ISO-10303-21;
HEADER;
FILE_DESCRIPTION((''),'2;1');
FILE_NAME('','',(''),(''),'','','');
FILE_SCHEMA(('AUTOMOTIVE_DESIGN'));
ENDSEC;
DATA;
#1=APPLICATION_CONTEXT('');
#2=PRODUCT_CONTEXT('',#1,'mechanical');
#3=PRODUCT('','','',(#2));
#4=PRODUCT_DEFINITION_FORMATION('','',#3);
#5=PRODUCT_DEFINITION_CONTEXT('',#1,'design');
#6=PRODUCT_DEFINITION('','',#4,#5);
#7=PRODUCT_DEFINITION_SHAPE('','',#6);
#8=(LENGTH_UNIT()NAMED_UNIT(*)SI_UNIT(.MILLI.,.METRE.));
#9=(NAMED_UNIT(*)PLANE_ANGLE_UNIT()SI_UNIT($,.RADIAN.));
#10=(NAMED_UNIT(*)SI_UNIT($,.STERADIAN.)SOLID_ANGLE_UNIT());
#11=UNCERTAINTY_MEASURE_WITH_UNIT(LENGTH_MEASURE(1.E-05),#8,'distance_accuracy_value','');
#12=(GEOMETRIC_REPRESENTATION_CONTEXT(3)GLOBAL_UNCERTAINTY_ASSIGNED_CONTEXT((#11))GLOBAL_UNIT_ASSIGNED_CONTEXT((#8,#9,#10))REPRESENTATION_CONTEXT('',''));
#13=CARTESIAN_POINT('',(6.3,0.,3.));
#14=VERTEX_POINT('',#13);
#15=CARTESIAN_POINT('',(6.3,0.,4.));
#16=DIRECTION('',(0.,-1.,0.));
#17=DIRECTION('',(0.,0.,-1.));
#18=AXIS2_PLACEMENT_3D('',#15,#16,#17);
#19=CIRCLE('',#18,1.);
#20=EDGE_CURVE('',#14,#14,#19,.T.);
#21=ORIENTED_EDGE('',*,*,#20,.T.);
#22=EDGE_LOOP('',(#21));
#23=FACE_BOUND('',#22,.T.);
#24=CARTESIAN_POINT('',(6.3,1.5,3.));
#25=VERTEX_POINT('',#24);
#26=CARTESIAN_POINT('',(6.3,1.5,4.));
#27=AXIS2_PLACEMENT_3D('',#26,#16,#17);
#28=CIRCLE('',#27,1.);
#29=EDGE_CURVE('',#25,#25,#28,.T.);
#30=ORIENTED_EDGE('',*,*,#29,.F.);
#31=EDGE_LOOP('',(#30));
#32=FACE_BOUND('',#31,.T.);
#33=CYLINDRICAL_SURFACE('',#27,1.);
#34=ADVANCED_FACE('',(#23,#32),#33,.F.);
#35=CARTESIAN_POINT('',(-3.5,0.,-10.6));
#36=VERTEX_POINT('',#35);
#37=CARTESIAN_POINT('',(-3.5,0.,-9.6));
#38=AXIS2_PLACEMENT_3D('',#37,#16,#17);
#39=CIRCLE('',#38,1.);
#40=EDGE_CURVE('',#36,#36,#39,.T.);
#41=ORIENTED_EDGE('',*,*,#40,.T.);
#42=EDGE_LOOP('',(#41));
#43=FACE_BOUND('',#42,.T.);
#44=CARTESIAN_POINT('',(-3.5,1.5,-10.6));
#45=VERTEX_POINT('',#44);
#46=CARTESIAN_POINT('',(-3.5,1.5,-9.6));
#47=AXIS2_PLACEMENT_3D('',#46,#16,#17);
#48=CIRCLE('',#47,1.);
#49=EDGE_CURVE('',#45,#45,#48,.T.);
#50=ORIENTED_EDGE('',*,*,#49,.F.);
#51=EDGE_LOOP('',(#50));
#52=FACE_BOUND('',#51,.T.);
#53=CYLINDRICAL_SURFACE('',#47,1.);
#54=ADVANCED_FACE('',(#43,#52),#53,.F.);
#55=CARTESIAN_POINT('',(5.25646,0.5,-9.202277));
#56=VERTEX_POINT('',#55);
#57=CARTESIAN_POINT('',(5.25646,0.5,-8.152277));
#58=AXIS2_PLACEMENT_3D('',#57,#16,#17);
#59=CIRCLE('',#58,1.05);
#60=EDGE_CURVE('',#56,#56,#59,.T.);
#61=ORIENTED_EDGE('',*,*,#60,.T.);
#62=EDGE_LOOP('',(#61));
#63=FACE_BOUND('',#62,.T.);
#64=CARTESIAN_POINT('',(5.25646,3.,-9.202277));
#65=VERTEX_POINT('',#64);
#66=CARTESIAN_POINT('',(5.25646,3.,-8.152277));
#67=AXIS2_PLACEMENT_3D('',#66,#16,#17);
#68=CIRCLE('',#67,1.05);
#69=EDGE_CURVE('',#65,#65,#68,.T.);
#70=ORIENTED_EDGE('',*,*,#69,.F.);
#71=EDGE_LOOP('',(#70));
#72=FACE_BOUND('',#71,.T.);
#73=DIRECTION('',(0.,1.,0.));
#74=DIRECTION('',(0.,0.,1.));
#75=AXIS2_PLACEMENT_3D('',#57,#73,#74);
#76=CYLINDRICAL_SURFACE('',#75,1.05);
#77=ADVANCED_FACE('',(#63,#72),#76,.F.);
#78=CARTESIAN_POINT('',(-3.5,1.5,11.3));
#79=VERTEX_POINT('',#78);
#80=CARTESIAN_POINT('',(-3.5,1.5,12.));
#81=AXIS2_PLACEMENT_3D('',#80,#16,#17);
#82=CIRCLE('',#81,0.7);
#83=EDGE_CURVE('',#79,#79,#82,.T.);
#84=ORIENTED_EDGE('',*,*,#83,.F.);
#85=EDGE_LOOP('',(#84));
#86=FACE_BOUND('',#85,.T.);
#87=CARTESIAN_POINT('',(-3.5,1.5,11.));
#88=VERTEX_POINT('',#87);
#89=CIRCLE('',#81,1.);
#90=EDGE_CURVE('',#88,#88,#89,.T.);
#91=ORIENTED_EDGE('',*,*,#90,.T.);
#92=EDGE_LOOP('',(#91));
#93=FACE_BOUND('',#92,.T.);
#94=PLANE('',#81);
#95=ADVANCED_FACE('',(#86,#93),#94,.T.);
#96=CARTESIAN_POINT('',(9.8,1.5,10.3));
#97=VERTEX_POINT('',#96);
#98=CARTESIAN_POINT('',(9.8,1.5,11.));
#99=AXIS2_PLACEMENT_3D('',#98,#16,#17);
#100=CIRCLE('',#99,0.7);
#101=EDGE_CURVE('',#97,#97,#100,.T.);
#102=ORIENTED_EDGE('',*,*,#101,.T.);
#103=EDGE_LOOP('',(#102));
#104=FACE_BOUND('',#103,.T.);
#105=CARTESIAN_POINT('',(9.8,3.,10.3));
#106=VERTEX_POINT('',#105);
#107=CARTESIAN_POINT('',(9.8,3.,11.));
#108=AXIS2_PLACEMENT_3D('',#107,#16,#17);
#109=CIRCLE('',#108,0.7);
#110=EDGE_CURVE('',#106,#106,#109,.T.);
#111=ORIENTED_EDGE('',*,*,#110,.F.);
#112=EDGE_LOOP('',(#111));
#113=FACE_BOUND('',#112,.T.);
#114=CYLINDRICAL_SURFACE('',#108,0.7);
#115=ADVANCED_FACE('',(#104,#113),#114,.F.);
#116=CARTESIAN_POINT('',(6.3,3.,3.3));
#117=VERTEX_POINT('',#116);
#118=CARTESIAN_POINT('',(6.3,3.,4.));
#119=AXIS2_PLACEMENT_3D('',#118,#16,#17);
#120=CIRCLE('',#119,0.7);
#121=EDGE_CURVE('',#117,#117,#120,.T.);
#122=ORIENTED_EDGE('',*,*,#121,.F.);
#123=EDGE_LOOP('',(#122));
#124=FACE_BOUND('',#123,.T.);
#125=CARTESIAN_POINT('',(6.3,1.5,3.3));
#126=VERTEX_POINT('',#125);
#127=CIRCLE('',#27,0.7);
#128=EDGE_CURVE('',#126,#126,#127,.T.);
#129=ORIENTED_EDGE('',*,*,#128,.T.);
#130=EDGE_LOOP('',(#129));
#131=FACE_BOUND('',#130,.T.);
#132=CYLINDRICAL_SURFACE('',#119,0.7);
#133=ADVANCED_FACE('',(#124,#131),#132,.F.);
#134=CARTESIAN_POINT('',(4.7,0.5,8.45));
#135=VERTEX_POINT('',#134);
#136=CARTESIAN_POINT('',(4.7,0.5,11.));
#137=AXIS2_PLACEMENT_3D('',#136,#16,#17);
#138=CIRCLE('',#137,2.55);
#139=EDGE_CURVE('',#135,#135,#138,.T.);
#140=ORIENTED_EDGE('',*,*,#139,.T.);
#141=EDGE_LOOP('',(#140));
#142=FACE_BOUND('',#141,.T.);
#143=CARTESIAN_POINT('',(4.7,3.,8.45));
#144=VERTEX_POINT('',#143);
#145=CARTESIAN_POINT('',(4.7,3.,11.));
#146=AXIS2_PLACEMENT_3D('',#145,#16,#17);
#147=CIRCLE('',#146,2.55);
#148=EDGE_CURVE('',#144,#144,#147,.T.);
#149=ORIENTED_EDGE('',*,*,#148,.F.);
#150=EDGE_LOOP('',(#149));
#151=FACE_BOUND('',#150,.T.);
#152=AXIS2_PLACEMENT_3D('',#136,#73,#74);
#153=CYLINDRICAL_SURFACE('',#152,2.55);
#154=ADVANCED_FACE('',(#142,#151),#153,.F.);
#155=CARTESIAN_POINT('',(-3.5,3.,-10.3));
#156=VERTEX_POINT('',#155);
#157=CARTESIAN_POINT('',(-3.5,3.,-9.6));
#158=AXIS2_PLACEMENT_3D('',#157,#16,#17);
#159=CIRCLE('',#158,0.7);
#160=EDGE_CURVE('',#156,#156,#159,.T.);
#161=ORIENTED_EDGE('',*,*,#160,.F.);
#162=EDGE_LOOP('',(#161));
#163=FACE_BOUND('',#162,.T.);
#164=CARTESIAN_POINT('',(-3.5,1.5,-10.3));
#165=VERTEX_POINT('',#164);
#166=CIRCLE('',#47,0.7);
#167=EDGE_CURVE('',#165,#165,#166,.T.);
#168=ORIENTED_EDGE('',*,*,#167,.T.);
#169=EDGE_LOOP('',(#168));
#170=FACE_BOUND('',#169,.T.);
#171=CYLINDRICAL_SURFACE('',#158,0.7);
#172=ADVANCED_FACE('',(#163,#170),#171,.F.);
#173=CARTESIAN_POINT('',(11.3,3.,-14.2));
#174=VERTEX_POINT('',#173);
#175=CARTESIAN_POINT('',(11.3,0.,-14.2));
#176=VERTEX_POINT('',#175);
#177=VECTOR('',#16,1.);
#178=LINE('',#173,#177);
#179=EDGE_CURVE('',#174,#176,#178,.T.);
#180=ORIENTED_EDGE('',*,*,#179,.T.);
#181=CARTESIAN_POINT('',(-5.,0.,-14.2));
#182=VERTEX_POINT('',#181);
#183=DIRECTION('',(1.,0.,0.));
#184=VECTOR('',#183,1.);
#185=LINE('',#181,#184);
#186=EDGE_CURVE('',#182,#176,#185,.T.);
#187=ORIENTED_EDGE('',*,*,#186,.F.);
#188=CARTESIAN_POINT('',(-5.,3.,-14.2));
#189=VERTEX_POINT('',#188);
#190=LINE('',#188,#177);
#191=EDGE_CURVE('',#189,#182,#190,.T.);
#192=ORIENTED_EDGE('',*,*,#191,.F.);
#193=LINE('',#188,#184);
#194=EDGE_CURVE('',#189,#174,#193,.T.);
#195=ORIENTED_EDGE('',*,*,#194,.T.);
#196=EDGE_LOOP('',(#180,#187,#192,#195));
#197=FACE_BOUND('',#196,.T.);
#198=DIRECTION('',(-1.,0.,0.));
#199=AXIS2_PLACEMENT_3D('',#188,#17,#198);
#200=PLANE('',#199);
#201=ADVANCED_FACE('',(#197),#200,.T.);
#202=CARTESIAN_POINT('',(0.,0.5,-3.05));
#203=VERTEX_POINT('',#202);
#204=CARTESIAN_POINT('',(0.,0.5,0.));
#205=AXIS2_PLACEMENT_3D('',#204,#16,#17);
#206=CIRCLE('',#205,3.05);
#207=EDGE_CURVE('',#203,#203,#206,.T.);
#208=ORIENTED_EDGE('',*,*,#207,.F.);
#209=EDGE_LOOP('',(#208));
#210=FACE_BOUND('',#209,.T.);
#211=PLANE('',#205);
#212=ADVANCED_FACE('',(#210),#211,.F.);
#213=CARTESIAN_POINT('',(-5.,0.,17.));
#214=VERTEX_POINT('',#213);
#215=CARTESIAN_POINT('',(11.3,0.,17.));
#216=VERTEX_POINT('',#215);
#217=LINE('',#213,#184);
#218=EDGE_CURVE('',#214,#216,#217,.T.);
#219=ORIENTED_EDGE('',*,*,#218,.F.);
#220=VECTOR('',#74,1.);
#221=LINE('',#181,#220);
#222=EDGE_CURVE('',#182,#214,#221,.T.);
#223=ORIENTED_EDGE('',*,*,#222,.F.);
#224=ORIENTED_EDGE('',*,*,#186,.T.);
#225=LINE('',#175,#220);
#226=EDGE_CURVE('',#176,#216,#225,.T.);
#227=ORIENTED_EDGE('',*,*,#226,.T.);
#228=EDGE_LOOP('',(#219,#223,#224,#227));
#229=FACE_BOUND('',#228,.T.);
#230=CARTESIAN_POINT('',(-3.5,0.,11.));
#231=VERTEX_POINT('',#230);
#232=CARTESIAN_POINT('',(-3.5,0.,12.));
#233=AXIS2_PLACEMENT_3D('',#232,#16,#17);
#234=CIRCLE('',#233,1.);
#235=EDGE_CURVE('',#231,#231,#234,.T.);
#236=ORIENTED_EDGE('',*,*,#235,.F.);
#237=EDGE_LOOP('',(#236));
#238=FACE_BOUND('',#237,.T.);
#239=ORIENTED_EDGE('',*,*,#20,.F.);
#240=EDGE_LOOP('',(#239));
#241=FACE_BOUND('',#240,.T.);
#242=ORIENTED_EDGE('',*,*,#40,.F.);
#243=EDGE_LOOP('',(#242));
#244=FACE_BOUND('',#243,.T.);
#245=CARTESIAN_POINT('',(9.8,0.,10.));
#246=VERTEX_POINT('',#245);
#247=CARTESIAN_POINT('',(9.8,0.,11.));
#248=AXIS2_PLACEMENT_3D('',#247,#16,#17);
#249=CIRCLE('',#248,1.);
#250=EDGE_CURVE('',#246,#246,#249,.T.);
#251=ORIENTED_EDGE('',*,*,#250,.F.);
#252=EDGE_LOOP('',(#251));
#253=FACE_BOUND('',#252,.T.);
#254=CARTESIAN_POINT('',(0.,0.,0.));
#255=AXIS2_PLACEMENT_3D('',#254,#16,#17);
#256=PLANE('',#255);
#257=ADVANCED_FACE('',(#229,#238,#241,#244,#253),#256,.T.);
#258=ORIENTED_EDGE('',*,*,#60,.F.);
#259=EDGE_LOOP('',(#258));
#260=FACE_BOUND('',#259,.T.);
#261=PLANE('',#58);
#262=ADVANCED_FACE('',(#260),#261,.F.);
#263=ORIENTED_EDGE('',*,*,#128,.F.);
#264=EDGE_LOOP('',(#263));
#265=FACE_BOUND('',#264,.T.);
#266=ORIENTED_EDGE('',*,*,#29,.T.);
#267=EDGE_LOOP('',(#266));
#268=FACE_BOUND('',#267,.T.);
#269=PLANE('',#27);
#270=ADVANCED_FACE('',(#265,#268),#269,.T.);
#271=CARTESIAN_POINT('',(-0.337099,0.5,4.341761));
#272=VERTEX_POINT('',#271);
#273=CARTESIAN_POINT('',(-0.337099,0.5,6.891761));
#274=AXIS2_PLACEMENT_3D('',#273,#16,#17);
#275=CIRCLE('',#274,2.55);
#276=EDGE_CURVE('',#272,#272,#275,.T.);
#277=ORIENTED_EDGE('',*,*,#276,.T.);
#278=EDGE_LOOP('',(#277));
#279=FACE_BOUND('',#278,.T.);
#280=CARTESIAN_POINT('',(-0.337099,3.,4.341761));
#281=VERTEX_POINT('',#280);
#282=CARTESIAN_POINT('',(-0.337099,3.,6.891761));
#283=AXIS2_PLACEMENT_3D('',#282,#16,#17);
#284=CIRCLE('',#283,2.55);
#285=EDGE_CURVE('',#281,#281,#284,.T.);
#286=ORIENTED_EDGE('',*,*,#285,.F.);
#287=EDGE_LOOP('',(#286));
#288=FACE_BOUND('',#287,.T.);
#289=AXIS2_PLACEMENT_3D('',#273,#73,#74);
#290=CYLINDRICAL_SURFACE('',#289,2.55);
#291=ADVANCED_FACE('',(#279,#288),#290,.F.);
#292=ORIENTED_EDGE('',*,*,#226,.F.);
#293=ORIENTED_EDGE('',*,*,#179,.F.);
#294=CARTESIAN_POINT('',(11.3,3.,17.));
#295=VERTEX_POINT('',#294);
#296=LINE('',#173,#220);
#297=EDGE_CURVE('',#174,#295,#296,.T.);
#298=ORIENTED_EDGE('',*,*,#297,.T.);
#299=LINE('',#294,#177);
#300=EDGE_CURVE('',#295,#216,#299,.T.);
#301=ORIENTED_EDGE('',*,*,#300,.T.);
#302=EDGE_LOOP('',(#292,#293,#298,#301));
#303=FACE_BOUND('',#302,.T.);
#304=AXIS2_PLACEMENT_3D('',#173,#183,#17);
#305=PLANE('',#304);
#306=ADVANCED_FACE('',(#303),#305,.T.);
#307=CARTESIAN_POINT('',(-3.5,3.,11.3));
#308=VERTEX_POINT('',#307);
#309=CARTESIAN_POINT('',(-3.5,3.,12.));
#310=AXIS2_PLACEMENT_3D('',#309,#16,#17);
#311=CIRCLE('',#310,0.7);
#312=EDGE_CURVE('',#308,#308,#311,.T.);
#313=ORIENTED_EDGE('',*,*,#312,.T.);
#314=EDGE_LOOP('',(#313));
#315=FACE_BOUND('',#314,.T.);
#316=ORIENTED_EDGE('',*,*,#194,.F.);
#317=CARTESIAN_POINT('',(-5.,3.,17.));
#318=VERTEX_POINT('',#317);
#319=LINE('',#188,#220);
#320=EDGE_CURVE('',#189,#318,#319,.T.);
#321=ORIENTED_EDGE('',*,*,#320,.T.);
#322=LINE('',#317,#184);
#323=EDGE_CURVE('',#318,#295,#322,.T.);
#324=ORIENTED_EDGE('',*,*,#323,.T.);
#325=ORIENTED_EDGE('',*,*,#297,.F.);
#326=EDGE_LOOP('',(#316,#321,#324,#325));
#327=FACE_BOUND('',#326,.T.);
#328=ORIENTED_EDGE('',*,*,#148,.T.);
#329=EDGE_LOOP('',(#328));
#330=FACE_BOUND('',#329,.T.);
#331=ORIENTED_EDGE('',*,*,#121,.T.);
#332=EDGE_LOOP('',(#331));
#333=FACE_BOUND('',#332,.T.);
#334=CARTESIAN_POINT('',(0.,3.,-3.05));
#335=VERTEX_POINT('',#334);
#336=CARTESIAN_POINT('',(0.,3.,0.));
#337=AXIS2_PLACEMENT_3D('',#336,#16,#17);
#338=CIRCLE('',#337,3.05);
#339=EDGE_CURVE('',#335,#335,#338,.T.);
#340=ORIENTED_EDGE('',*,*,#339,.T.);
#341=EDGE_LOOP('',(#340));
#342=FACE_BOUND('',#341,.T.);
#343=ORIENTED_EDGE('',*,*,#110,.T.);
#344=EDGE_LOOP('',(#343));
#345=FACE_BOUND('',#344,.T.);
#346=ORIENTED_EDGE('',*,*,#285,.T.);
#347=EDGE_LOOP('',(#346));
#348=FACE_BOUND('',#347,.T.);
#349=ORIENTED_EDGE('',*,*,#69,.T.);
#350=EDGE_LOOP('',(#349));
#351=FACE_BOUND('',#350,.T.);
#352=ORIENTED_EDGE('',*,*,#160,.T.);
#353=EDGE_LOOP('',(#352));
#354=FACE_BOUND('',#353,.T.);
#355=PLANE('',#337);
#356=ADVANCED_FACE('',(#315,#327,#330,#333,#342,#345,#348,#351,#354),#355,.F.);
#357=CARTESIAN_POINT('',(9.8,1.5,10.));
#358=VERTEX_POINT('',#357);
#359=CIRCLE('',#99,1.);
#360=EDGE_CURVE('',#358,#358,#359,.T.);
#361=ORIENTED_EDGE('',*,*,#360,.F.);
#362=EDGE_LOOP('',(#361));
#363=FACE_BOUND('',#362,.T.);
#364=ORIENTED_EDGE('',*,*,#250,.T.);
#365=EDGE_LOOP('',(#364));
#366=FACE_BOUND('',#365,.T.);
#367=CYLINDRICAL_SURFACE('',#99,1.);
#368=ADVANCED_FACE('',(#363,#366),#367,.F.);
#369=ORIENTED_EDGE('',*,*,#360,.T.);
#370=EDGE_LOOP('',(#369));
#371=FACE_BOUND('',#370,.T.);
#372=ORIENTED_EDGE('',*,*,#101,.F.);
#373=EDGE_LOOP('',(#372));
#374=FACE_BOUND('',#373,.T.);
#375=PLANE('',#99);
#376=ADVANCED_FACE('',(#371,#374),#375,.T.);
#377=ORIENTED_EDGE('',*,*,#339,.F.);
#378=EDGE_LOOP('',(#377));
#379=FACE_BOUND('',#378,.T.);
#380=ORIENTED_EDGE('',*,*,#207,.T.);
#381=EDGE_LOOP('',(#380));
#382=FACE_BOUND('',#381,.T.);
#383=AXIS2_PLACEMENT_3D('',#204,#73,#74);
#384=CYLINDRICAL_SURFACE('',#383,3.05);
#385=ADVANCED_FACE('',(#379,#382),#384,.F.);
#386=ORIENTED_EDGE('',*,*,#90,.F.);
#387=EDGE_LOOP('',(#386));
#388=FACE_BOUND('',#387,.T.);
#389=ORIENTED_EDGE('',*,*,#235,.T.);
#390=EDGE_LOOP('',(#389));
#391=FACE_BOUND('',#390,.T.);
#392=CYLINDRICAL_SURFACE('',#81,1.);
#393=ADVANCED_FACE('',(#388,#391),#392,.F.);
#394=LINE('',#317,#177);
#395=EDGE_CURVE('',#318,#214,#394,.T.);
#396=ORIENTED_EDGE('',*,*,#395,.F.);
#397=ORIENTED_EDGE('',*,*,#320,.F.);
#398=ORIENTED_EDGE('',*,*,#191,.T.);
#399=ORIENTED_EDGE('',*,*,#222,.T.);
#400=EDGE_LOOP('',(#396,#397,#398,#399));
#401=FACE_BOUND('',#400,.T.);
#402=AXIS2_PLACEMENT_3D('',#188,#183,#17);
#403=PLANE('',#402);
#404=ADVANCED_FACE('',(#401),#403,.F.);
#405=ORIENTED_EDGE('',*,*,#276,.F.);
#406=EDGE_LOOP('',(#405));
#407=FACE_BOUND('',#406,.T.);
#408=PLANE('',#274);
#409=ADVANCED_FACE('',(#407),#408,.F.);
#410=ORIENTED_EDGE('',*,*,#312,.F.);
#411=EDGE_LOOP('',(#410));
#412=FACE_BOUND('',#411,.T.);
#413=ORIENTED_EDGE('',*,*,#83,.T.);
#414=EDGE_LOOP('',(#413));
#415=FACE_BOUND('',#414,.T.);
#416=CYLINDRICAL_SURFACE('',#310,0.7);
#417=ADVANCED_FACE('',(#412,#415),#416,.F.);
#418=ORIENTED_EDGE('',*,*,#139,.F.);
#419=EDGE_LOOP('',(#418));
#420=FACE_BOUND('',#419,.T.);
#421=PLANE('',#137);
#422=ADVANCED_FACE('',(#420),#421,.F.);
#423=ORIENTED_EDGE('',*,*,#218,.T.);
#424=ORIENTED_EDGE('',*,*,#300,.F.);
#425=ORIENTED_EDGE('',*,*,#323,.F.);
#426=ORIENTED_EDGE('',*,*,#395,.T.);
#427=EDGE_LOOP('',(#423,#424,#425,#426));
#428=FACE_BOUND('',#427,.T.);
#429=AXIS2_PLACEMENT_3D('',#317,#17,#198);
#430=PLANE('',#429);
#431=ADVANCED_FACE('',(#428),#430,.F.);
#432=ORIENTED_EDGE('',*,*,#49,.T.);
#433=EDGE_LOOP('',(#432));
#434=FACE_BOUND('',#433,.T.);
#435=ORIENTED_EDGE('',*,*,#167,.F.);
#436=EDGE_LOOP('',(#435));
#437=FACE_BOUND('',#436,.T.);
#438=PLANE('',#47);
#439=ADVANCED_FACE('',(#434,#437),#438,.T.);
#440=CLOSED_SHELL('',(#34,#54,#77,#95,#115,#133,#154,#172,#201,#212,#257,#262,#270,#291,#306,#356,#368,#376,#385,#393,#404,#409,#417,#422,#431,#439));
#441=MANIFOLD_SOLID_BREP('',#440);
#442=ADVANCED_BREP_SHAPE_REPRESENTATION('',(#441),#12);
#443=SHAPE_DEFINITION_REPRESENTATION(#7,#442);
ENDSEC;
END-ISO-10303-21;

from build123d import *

# Parameters (mm, degrees)
SKETCH_1_W          = 16.3
SKETCH_1_H          = 31.2
EXTRUDE_1_DEPTH     = 3
CUT_EXTRUDE_START   = 3
SKETCH_1_3_R        = 3.05
SKETCH_1_3_R_2      = 2.55
SKETCH_1_3_R_3      = 1.05
CUT_EXTRUDE_1_DEPTH = 2.5
SKETCH_2_R          = 1
CUT_EXTRUDE_2_DEPTH = 1.5
SKETCH_2_3_R        = 0.7
CUT_EXTRUDE_3_DEPTH = 21.632256299


with BuildPart() as part:
    # 草图1 → 凸台-拉伸1 (new body)
    with BuildSketch(Plane(origin=(0, 0, 0), x_dir=(1, 0, 0), z_dir=(0, 1, 0))):
        with Locations((3.15, -1.4)):
            Rectangle(SKETCH_1_W, SKETCH_1_H)
    extrude(amount=EXTRUDE_1_DEPTH)

    # 草图1<3> → 切除-拉伸1 (cut)
    with BuildSketch(Plane(origin=(0, 0, 0), x_dir=(1, 0, 0), z_dir=(0, 1, 0)).offset(CUT_EXTRUDE_START)):
        with Locations(Location((0, 0, 0), (0, 0, 90))):
            Circle(SKETCH_1_3_R)
        with Locations(Location((4.7, -11, 0), (0, 0, 90))):
            Circle(SKETCH_1_3_R_2)
        with Locations(Location((-0.337099263, -6.891760594, 0), (0, 0, 90))):
            Circle(SKETCH_1_3_R_2)
        with Locations(Location((5.25646039, 8.152277238, 0), (0, 0, 90))):
            Circle(SKETCH_1_3_R_3)
    extrude(amount=-CUT_EXTRUDE_1_DEPTH, mode=Mode.SUBTRACT)

    # 草图2 → 切除-拉伸2 (cut)
    with BuildSketch(Plane.XZ):
        with Locations(Location((9.8, 11, 0), (0, 0, 270))):
            Circle(SKETCH_2_R)
        with Locations(Location((-3.5, 12, 0), (0, 0, 270))):
            Circle(SKETCH_2_R)
        with Locations(Location((6.3, 4, 0), (0, 0, 270))):
            Circle(SKETCH_2_R)
        with Locations(Location((-3.5, -9.6, 0), (0, 0, 270))):
            Circle(SKETCH_2_R)
    extrude(amount=-CUT_EXTRUDE_2_DEPTH, mode=Mode.SUBTRACT)

    # 草图2<3> → 切除-拉伸3 (cut, through all)
    with BuildSketch(Plane.XZ):
        with Locations(Location((9.8, 11, 0), (0, 0, 270))):
            Circle(SKETCH_2_3_R)
        with Locations(Location((-3.5, 12, 0), (0, 0, 270))):
            Circle(SKETCH_2_3_R)
        with Locations(Location((6.3, 4, 0), (0, 0, 270))):
            Circle(SKETCH_2_3_R)
        with Locations(Location((-3.5, -9.6, 0), (0, 0, 270))):
            Circle(SKETCH_2_3_R)
    extrude(amount=-CUT_EXTRUDE_3_DEPTH, mode=Mode.SUBTRACT)


solid = part.part
